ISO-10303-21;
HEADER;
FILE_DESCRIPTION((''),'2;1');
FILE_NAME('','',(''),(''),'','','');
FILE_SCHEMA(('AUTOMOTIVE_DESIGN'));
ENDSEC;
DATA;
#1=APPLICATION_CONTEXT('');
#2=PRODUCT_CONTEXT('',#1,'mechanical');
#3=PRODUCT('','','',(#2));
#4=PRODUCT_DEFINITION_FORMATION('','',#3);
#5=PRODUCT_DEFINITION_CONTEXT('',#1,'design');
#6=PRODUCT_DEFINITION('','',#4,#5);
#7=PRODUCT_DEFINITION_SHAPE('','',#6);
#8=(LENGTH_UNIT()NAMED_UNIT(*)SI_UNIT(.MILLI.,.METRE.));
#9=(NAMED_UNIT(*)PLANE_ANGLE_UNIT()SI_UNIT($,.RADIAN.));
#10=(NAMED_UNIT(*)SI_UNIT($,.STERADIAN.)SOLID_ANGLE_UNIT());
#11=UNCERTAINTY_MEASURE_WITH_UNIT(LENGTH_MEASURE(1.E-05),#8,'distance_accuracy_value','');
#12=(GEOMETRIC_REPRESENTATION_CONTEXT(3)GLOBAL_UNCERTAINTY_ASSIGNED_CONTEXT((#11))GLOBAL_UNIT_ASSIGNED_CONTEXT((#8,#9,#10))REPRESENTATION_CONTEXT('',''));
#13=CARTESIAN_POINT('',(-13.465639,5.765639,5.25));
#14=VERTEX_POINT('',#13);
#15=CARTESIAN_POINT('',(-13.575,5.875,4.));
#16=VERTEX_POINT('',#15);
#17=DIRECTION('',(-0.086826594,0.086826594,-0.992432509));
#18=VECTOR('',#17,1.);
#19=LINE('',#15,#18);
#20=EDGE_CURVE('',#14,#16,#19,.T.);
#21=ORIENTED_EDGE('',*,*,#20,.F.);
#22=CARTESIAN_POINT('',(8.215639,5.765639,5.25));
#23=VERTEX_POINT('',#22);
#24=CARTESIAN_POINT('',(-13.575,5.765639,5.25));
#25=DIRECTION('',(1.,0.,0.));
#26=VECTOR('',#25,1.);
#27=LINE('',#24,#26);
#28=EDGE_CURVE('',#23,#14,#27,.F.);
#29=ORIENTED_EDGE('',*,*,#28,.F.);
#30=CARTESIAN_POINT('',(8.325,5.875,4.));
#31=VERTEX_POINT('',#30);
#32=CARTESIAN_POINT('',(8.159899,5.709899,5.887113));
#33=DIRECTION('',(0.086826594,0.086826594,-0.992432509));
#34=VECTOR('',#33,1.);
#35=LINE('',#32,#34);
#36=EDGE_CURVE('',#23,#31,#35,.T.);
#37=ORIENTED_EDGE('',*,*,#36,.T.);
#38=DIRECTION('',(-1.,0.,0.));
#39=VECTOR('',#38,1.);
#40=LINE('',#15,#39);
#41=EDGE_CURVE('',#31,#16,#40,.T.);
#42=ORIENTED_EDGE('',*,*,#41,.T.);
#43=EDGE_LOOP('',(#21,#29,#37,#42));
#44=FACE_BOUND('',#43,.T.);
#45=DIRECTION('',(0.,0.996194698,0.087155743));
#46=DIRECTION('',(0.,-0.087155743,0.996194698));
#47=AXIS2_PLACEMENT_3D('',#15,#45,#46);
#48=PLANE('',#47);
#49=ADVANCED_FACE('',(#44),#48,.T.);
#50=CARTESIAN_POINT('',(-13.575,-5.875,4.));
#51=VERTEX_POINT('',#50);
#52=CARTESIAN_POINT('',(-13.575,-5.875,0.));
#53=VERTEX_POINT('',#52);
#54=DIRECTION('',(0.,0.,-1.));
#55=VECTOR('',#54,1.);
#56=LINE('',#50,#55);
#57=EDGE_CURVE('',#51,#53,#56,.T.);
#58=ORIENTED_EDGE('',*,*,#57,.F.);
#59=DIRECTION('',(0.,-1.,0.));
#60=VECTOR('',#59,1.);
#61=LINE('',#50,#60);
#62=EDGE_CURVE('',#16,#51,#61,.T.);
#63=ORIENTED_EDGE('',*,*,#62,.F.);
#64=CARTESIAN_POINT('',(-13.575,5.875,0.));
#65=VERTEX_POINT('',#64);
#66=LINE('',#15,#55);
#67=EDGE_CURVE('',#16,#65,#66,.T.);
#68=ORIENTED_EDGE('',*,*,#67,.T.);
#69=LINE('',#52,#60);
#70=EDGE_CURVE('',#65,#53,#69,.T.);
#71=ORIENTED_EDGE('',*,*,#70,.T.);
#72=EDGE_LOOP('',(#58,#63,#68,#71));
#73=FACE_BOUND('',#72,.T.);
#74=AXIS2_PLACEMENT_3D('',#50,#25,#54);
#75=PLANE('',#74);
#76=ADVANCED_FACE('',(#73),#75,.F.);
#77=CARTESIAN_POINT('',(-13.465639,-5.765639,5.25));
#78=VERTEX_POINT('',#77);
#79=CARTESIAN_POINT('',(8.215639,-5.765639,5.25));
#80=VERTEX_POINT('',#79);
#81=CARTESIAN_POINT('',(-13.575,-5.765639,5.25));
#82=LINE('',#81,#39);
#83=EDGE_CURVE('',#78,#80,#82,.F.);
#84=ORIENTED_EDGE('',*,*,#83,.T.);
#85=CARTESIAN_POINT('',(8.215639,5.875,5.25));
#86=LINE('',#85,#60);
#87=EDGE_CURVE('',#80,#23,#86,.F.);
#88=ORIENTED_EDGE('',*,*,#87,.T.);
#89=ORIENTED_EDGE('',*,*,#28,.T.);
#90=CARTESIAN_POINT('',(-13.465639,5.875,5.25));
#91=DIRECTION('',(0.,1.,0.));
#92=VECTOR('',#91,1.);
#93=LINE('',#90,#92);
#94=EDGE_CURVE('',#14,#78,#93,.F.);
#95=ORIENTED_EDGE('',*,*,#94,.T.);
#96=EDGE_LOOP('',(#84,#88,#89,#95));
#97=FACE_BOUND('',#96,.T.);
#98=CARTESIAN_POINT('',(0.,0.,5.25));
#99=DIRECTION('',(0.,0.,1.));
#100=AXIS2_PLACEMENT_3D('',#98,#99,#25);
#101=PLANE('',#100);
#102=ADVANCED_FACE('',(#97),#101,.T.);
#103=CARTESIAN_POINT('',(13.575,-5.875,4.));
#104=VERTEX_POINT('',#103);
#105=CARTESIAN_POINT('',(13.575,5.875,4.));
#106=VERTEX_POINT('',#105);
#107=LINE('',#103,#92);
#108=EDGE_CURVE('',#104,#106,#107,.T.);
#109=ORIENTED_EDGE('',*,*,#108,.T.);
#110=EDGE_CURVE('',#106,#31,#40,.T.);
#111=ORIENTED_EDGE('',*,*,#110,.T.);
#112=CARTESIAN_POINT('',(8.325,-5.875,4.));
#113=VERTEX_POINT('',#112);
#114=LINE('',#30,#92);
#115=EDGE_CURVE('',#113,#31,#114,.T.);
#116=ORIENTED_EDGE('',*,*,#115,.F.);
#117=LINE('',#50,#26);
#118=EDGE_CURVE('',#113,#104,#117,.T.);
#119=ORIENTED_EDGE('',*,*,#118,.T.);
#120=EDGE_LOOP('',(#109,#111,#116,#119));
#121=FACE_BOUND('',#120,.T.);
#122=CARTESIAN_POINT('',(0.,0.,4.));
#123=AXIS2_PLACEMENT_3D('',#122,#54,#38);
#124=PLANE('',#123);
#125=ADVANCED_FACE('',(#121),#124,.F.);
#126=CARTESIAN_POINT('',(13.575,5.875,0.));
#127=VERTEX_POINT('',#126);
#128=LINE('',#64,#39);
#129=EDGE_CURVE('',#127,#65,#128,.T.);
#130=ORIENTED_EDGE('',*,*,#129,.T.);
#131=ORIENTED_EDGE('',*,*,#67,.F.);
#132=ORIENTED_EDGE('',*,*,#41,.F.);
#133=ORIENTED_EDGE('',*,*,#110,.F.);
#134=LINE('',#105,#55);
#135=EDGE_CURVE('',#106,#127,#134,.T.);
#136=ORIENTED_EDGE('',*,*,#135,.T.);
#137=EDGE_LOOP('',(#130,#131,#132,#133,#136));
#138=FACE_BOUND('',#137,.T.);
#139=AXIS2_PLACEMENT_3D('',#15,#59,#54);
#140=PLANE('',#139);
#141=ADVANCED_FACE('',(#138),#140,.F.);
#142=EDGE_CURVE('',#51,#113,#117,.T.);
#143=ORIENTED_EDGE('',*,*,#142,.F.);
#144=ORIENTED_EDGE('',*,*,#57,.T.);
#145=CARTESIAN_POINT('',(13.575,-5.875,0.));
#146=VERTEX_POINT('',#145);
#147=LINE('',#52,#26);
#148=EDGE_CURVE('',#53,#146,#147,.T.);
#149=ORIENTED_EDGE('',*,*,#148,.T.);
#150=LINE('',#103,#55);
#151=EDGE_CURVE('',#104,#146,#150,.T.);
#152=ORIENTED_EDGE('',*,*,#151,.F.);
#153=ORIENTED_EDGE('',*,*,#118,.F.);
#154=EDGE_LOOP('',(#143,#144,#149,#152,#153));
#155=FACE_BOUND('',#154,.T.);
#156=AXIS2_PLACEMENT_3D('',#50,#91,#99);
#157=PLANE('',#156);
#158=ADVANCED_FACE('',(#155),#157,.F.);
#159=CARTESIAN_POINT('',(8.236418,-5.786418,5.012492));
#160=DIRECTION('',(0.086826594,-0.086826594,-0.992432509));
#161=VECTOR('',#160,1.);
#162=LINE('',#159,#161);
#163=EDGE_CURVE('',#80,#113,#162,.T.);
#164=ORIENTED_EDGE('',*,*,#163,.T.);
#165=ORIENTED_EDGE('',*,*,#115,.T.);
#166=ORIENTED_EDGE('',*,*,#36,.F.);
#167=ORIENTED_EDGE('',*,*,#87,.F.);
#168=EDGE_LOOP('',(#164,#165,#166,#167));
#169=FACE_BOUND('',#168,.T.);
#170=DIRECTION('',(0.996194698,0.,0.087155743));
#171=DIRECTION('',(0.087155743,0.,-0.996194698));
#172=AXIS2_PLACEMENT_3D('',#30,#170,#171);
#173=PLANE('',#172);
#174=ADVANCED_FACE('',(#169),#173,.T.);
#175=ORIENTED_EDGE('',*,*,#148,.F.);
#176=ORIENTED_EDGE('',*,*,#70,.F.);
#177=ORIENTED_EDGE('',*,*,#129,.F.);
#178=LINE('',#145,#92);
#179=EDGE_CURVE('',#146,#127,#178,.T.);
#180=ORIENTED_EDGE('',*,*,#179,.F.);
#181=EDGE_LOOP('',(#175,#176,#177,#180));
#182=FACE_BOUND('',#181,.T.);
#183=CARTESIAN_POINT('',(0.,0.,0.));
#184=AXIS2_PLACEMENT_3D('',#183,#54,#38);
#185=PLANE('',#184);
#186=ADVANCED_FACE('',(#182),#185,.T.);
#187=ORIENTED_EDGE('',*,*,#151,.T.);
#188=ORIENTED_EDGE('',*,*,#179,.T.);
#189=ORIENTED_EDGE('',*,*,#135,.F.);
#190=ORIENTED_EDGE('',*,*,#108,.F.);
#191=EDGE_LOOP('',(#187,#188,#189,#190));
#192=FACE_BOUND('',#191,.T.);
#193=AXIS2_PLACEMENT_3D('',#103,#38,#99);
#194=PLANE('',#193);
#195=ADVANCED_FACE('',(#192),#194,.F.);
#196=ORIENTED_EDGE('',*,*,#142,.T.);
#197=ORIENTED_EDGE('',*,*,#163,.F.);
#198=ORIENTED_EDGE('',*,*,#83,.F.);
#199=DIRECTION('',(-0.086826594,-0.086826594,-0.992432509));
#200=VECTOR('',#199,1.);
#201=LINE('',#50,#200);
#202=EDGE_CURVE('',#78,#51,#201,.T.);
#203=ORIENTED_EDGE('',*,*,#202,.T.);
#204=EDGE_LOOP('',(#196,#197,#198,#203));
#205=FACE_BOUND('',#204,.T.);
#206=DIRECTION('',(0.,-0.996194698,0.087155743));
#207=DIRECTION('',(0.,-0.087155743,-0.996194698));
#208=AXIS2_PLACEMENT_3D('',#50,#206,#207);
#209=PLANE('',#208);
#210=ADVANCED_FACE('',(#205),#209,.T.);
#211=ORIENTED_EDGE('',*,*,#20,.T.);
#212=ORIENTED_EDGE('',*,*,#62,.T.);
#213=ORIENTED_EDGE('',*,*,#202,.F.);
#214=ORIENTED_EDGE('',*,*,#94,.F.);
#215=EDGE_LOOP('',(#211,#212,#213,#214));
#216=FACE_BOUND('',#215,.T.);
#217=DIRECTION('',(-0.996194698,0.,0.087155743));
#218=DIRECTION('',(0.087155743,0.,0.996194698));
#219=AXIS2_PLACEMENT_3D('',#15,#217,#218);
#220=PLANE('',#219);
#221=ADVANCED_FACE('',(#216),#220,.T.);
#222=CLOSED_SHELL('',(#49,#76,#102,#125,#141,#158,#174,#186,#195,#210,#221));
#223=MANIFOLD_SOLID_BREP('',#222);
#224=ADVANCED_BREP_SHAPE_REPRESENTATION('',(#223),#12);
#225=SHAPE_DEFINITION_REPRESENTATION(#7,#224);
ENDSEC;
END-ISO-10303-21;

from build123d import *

# Parameters (mm, degrees)
SKETCH1_W           = 27.15
SKETCH1_H           = 11.75
BOSS_EXTRUDE1_DEPTH = 4
SKETCH2_W           = 21.9
SKETCH2_H           = 11.75
BOSS_EXTRUDE2_DEPTH = 1.25
BOSS_EXTRUDE2_TAPER = 5


with BuildPart() as part:
    # Sketch1 → Boss-Extrude1 (new body)
    with BuildSketch(Plane.XY):
        Rectangle(SKETCH1_W, SKETCH1_H)
    extrude(amount=BOSS_EXTRUDE1_DEPTH)

    # Sketch2 → Boss-Extrude2 (add)
    with BuildSketch(Plane.XY.offset(4)):
        with Locations((-2.625, 0)):
            Rectangle(SKETCH2_W, SKETCH2_H)
    extrude(amount=BOSS_EXTRUDE2_DEPTH, taper=BOSS_EXTRUDE2_TAPER)


solid = part.part
